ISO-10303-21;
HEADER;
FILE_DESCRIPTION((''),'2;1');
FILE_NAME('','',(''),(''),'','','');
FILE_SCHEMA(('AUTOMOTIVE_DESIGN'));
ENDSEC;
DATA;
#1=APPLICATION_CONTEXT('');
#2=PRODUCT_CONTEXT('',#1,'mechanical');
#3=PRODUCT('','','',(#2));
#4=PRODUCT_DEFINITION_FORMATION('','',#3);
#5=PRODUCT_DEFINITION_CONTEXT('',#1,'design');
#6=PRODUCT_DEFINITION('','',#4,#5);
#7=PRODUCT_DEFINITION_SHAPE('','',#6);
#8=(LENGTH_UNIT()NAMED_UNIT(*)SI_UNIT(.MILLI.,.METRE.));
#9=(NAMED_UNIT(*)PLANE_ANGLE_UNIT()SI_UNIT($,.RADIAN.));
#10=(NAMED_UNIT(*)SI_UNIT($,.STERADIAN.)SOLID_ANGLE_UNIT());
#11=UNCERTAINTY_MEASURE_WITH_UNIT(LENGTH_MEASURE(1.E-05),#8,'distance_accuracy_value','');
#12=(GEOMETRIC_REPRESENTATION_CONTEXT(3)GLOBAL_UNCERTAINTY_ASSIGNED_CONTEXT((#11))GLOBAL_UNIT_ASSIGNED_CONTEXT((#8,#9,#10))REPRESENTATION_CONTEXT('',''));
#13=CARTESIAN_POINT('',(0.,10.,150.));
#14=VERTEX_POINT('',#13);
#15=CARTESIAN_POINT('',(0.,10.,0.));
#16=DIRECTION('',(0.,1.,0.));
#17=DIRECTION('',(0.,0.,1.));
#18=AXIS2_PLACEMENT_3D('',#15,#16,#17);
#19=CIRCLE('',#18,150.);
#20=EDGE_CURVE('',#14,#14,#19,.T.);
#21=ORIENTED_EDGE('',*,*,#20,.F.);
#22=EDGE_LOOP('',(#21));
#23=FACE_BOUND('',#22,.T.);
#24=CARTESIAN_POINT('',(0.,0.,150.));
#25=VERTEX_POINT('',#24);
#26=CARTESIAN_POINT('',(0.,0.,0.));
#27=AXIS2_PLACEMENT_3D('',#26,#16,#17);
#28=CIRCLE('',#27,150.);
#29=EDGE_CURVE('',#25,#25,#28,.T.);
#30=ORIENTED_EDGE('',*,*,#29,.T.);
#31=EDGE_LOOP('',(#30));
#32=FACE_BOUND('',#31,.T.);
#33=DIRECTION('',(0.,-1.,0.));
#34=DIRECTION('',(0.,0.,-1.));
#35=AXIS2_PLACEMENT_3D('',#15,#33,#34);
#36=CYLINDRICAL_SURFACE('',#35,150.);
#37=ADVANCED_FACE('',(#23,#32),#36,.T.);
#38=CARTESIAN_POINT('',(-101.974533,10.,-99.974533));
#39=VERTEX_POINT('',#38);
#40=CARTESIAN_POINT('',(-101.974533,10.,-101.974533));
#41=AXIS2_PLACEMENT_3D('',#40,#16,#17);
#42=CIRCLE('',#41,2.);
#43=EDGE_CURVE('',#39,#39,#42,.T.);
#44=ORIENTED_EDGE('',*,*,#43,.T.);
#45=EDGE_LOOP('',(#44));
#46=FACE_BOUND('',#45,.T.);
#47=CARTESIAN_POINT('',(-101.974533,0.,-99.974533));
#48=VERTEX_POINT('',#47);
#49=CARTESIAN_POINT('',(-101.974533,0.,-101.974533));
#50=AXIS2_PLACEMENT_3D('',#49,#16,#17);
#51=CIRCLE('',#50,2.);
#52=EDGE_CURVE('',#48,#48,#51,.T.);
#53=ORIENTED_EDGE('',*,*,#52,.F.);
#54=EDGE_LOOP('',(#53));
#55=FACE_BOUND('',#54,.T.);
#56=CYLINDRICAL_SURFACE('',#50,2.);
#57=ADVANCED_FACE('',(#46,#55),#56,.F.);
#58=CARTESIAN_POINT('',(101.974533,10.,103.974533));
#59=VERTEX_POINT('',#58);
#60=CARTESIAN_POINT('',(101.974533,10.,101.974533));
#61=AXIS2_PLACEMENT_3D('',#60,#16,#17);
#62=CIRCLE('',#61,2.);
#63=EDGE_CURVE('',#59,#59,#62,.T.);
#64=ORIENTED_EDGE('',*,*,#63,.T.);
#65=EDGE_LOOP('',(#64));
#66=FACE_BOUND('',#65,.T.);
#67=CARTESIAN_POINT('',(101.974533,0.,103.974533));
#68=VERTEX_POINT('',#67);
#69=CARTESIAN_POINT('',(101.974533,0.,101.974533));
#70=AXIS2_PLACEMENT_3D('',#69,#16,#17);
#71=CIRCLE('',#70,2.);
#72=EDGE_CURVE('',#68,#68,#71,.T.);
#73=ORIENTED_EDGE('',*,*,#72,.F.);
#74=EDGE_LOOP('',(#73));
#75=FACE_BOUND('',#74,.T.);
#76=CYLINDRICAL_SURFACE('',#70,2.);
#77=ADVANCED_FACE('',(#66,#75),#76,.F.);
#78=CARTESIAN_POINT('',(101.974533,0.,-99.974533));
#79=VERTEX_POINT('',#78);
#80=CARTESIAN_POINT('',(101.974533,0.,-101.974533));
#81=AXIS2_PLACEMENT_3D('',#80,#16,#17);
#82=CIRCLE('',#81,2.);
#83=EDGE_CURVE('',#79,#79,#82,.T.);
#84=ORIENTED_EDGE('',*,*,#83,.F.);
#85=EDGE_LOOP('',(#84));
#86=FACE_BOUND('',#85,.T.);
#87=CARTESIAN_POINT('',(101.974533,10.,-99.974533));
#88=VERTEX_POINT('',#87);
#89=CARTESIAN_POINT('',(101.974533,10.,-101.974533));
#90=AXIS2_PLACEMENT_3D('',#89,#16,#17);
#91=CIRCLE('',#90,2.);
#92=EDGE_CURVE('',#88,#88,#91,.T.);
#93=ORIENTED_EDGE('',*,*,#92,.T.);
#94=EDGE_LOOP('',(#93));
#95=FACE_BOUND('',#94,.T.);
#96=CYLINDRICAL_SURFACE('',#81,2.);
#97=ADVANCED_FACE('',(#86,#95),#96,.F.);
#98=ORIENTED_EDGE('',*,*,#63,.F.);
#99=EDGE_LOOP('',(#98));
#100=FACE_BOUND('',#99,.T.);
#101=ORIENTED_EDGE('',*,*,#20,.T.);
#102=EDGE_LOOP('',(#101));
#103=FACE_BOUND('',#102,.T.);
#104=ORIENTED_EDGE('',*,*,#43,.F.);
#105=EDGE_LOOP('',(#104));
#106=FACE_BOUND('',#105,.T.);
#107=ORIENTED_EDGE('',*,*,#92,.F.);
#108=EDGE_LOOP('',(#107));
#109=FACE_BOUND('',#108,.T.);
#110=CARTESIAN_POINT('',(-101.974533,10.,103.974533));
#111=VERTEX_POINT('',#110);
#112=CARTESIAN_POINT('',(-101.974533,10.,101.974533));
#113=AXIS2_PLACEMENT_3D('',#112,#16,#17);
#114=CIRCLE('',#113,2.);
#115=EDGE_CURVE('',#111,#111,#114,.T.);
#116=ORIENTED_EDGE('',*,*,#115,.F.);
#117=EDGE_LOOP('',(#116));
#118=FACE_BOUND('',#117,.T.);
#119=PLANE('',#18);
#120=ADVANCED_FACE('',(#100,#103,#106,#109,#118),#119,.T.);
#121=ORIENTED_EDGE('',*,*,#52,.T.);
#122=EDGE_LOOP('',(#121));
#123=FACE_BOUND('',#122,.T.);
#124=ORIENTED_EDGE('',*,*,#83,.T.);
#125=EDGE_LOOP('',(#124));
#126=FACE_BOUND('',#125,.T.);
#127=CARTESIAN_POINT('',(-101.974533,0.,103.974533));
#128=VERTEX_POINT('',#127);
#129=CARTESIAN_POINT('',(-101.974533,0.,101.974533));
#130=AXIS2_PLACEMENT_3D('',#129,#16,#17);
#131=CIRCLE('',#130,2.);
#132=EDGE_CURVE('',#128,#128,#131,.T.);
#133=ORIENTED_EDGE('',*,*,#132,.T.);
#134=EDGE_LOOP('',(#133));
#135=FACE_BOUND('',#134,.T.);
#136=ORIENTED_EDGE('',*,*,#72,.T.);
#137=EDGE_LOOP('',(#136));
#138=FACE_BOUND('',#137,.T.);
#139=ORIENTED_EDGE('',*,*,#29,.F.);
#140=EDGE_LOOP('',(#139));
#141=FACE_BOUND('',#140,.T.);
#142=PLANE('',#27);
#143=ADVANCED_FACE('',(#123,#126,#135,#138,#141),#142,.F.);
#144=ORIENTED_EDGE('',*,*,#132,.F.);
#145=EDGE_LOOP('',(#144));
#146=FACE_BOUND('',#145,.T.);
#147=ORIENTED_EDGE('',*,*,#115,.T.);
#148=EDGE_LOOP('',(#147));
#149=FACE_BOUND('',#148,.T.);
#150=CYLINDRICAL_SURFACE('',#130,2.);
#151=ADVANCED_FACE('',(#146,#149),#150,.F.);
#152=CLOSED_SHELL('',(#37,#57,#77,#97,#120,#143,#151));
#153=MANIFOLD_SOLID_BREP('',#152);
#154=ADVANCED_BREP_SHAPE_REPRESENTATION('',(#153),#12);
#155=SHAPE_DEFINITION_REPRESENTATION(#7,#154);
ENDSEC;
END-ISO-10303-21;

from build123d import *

# Parameters (mm, degrees)
SKETCH1_R           = 150
BOSS_EXTRUDE1_DEPTH = 10
SKETCH2_R           = 2
CUT_EXTRUDE1_DEPTH  = 10


with BuildPart() as part:
    # Sketch1 → Boss-Extrude1 (new body)
    with BuildSketch(Plane(origin=(0, 0, 0), x_dir=(1, 0, 0), z_dir=(0, 1, 0))):
        with Locations(Location((0, 0, 0), (0, 0, 270))):
            Circle(SKETCH1_R)
    extrude(amount=BOSS_EXTRUDE1_DEPTH)

    # Sketch2 → Cut-Extrude1 (cut)
    with BuildSketch(Plane(origin=(0, 10, 0), x_dir=(1, 0, 0), z_dir=(0, 1, 0))):
        with Locations(Location((101.974532959, 101.974532959, 0), (0, 0, 270))):
            Circle(SKETCH2_R)
        with Locations(Location((101.974532959, -101.974532959, 0), (0, 0, 270))):
            Circle(SKETCH2_R)
        with Locations(Location((-101.974532959, -101.974532959, 0), (0, 0, 270))):
            Circle(SKETCH2_R)
        with Locations(Location((-101.974532959, 101.974532959, 0), (0, 0, 270))):
            Circle(SKETCH2_R)
    extrude(amount=-CUT_EXTRUDE1_DEPTH, mode=Mode.SUBTRACT)


solid = part.part
